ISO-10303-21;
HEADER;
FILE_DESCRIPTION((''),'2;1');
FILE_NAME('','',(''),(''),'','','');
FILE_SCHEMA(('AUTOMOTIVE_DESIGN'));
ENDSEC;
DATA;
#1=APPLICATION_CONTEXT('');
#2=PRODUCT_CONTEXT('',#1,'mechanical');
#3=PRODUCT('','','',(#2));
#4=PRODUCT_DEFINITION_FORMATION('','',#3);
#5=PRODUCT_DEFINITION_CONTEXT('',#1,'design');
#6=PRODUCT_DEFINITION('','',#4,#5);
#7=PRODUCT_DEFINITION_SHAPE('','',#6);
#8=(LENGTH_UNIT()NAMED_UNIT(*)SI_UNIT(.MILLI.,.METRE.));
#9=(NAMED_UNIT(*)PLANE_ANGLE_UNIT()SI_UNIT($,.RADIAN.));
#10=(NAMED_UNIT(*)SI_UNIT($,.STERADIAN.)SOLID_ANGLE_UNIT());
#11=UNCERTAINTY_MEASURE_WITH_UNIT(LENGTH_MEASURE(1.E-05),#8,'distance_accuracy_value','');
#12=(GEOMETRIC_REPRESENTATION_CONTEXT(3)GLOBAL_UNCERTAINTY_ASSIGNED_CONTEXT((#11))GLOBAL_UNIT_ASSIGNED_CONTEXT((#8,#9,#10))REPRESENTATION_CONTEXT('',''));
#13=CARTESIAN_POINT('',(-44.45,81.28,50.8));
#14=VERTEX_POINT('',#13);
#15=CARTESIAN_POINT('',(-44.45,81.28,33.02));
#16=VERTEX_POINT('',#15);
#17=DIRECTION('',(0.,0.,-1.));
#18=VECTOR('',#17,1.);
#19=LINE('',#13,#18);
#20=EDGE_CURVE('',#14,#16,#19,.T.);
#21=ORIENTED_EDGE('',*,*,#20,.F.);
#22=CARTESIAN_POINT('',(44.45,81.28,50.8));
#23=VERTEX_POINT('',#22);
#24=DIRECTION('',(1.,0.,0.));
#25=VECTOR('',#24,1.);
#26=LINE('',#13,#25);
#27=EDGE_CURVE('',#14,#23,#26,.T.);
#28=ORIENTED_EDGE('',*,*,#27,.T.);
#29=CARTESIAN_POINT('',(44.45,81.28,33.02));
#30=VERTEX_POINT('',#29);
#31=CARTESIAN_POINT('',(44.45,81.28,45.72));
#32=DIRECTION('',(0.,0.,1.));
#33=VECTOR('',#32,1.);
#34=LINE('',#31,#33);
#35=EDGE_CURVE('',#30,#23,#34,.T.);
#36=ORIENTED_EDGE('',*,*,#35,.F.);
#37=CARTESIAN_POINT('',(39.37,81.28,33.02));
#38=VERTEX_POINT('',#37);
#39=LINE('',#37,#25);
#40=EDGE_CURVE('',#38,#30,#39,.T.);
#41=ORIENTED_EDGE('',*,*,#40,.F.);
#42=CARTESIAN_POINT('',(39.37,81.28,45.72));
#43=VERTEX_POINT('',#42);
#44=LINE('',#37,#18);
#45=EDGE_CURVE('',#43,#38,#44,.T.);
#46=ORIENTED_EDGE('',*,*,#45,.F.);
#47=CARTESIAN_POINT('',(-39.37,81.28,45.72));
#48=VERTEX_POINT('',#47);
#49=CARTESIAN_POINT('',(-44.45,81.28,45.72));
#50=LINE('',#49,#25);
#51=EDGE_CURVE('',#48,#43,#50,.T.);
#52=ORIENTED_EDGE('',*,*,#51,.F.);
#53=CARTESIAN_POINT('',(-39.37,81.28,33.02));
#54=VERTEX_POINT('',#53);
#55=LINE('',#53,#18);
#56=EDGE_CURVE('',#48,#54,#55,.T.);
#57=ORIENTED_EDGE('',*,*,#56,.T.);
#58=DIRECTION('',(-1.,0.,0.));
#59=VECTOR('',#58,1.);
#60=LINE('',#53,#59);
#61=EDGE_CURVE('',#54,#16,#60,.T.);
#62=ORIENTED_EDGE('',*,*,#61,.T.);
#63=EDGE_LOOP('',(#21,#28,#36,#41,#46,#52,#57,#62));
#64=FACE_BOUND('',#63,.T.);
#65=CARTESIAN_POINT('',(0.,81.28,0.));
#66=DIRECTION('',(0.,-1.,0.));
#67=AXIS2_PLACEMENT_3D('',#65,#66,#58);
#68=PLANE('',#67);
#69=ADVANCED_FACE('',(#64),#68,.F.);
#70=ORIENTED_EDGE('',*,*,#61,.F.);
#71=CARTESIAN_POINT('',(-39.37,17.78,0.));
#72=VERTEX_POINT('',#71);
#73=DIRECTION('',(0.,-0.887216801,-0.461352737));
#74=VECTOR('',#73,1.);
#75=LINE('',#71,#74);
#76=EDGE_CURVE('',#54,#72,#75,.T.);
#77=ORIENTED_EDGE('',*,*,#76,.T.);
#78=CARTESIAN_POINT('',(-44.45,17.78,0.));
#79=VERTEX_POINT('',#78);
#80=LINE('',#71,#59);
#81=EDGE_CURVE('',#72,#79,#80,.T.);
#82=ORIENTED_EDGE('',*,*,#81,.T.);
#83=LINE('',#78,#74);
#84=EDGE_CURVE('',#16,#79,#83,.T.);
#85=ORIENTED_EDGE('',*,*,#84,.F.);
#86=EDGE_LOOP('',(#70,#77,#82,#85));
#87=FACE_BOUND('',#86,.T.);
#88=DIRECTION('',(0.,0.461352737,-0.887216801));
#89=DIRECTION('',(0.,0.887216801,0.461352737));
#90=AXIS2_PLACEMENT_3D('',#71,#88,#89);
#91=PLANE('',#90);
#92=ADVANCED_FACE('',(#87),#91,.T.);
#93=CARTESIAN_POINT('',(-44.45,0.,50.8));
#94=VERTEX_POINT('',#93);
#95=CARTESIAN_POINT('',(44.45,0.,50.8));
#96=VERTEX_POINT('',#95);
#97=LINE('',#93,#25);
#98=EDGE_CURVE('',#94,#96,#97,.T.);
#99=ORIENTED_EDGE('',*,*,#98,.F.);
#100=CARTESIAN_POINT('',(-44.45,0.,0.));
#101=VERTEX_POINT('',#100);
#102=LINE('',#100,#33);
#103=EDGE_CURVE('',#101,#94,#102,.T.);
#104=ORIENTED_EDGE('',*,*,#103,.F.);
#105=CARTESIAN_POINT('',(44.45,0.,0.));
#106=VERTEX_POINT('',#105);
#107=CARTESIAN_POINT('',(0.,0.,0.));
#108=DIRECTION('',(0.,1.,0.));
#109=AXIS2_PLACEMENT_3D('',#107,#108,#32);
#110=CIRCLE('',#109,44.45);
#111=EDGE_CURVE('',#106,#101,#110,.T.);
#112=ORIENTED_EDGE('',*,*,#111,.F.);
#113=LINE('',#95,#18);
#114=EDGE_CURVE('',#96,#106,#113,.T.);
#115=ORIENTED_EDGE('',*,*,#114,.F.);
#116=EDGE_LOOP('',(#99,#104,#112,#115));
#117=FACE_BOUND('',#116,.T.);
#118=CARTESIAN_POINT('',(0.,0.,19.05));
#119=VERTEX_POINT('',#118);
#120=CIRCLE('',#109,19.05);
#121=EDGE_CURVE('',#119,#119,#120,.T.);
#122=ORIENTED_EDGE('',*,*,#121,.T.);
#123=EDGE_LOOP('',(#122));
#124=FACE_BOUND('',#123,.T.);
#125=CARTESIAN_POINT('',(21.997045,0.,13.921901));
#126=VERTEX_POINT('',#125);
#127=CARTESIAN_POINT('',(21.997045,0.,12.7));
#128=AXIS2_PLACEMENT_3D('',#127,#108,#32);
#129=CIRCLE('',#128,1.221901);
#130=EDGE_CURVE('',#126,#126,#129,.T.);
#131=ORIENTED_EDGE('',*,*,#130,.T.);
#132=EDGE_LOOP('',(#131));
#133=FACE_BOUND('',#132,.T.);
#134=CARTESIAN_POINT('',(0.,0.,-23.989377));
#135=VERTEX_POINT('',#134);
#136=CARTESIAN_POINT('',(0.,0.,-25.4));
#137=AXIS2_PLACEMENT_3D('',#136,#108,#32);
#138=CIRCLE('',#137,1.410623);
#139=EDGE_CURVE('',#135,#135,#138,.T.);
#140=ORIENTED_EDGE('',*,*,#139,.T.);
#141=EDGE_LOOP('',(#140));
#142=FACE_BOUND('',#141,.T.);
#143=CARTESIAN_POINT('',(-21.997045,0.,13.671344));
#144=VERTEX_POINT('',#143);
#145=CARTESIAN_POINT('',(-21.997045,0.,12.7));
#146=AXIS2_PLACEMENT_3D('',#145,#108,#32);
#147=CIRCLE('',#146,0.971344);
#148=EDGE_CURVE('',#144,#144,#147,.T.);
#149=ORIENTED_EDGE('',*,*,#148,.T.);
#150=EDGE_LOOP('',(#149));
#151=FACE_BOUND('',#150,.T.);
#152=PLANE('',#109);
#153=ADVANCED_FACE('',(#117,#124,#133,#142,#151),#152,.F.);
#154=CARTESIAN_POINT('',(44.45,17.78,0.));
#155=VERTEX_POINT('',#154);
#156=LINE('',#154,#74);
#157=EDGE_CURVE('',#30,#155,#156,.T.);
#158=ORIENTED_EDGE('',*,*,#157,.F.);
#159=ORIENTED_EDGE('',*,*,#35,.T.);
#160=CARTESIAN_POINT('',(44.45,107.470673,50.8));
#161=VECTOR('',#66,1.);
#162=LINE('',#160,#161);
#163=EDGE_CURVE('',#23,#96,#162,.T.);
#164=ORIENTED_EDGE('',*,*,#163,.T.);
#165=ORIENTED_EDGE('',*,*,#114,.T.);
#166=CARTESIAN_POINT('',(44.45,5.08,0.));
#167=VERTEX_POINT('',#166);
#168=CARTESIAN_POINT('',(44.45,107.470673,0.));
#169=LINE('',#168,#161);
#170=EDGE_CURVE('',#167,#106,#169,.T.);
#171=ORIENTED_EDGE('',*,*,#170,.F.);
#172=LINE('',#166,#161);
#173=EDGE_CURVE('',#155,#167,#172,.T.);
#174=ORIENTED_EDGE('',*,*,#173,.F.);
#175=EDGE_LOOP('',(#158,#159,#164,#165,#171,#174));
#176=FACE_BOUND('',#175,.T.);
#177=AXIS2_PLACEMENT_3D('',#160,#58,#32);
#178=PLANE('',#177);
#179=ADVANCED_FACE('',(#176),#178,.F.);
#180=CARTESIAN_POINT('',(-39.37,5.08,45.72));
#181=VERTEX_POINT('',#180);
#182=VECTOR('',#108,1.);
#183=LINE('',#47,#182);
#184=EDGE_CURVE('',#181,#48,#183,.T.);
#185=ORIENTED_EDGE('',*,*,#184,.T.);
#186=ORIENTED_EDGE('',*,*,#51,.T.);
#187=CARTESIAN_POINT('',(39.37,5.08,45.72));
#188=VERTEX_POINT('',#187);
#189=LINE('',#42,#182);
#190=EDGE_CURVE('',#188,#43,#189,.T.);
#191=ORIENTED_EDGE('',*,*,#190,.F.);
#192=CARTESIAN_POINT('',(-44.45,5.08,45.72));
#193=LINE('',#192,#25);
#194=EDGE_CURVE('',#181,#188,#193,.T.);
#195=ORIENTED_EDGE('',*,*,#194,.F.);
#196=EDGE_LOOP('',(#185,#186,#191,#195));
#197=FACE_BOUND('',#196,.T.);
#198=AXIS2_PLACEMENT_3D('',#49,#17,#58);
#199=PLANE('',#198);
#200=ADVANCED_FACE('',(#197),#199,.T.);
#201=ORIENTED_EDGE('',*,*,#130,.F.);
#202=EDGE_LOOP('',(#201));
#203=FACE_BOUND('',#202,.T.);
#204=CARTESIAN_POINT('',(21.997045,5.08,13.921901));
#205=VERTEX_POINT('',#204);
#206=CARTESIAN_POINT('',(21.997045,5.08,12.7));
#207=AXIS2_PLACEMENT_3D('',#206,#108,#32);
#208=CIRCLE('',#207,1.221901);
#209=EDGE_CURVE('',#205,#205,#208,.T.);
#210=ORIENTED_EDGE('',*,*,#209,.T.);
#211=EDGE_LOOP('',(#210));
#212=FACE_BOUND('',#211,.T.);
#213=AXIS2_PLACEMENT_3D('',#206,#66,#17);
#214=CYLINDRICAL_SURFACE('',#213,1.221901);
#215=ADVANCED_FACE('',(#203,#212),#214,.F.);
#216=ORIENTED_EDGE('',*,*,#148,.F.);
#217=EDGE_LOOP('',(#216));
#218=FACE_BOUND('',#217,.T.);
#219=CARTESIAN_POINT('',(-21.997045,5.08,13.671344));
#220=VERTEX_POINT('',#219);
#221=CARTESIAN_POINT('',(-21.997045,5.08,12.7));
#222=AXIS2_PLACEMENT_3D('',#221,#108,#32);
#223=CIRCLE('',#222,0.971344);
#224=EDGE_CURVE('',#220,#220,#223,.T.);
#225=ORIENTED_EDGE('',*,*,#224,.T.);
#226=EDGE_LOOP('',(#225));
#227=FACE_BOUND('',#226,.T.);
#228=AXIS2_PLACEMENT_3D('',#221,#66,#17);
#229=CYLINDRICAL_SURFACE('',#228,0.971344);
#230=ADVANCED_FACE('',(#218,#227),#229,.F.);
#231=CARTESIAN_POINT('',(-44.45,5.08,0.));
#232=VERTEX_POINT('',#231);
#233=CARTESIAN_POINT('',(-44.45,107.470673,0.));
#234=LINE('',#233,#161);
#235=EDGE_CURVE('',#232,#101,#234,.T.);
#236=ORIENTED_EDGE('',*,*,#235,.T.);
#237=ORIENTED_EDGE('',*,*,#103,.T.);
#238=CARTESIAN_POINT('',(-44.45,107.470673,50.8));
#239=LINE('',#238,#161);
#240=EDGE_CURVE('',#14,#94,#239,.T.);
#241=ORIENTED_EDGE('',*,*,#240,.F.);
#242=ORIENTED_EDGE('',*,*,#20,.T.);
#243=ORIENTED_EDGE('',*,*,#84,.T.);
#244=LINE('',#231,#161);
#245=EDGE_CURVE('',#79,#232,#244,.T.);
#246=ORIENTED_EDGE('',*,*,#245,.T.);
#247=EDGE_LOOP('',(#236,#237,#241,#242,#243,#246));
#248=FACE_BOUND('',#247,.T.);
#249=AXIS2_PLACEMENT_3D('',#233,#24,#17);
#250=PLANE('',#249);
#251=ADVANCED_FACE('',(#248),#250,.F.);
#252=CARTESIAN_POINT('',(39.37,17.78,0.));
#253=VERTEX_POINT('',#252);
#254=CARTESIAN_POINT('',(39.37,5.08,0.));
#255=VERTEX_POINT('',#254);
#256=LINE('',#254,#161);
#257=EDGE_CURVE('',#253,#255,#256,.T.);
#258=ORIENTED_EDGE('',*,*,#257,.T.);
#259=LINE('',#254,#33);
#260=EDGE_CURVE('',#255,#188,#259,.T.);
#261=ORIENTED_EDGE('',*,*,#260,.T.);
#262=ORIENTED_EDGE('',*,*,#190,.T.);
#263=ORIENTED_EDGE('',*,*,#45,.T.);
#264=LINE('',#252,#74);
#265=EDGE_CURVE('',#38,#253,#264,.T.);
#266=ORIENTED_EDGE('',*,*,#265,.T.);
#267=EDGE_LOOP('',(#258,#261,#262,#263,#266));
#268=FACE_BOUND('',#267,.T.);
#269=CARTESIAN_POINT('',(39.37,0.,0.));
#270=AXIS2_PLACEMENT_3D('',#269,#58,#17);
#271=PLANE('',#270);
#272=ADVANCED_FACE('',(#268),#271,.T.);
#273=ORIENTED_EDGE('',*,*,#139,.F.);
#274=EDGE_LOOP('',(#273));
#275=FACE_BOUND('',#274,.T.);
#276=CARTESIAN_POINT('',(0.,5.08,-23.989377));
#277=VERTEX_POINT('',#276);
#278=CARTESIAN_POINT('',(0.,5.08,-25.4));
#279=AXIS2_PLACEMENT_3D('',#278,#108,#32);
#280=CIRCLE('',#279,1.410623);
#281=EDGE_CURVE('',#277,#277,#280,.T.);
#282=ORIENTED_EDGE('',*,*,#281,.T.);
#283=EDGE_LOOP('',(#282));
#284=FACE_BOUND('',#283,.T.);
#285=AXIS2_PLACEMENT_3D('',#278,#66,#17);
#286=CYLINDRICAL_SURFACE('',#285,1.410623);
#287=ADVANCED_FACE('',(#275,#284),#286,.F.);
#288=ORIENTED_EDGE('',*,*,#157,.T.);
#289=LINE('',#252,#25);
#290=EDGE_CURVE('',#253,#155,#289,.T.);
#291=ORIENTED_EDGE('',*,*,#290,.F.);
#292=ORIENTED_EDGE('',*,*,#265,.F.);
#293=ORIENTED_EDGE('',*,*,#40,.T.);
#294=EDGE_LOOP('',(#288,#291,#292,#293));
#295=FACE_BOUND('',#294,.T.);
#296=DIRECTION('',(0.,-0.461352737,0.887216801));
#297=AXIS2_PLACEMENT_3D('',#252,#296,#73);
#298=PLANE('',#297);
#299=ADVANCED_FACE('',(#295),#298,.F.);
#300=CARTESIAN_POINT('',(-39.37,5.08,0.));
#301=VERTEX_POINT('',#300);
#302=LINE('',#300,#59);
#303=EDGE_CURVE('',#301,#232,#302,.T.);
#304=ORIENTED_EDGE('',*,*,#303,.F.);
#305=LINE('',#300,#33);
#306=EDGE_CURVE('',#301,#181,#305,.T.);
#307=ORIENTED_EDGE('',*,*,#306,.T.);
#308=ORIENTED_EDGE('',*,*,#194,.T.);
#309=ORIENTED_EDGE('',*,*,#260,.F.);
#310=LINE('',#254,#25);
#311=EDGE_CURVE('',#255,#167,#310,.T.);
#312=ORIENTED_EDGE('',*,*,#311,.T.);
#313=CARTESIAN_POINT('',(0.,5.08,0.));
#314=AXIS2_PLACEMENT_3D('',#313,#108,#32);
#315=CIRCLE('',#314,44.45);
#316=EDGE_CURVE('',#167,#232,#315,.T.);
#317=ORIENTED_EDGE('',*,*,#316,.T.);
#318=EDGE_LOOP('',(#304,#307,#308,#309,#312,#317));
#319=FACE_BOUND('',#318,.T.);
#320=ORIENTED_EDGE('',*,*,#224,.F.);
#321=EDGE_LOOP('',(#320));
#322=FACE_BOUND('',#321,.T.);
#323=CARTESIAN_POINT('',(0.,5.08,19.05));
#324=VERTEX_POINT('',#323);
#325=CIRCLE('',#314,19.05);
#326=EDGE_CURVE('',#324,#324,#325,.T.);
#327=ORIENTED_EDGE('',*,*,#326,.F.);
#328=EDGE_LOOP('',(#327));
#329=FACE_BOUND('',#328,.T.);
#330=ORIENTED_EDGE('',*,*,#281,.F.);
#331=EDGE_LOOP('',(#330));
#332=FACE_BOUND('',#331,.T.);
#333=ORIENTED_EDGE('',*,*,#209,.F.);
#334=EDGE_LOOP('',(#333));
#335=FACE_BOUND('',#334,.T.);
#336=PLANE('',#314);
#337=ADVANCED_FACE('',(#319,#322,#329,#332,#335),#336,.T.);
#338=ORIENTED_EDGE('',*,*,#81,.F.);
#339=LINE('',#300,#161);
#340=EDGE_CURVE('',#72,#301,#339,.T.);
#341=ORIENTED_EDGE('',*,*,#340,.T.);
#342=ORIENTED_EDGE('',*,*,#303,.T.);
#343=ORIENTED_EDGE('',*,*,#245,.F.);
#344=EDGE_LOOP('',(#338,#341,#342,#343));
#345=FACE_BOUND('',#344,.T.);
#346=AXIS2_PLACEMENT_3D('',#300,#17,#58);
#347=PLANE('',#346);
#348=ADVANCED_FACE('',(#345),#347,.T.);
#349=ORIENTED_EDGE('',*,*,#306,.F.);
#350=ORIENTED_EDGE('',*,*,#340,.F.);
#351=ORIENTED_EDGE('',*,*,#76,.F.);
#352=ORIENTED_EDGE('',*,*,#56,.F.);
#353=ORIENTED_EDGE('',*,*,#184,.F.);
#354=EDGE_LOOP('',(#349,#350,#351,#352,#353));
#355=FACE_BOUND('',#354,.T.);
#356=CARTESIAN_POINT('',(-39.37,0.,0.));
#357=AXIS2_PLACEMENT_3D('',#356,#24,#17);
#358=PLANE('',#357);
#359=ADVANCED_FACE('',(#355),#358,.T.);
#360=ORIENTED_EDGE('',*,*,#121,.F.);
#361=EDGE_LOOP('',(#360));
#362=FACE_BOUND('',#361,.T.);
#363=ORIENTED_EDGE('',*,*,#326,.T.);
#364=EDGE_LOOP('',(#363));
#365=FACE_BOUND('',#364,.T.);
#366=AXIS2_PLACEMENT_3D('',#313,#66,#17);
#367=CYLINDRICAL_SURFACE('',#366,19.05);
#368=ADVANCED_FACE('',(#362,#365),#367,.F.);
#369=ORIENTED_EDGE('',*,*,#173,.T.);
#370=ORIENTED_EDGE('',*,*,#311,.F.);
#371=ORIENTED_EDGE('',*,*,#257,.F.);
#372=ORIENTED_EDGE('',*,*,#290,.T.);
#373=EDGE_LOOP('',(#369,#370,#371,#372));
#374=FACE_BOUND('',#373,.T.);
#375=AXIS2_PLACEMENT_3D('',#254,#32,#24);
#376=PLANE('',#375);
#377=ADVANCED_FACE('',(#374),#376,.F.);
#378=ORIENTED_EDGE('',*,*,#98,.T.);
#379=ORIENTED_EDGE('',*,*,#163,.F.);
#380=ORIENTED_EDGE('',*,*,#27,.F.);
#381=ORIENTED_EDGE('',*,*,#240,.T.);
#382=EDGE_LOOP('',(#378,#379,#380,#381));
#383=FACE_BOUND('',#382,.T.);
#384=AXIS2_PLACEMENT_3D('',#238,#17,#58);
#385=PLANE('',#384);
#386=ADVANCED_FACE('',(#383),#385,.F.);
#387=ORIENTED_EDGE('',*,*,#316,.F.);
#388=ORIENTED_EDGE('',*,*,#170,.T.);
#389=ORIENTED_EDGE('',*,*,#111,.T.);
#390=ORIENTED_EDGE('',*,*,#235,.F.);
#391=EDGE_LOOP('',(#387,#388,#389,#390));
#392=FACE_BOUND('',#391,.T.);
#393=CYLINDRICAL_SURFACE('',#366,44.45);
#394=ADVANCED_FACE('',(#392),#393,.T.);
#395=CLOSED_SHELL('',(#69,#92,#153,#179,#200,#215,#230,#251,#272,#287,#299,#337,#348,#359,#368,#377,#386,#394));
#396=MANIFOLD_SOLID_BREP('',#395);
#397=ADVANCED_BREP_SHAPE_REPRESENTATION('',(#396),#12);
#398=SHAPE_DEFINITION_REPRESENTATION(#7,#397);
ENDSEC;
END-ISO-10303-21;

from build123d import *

# Parameters (mm, degrees)
SKETCH1_R           = 44.45
SKETCH1_R_2         = 19.05
SKETCH1_R_3         = 1.410622882
SKETCH1_R_4         = 1.22190068
SKETCH1_R_5         = 0.971343814
BOSS_EXTRUDE1_DEPTH = 5.08
BOSS_EXTRUDE2_DEPTH = 5.08
SKETCH3_W           = 88.9
SKETCH3_H           = 5.08
EXTRUDE_THIN1_DEPTH = 76.2
BOSS_EXTRUDE3_DEPTH = 5.08


with BuildPart() as part:
    # Sketch1 → Boss-Extrude1 (new body)
    with BuildSketch(Plane(origin=(0, 0, 0), x_dir=(1, 0, 0), z_dir=(0, 1, 0))):
        with Locations(Location((0, 0, 0), (0, 0, 270))):
            Circle(SKETCH1_R)
        with Locations(Location((0, 0, 0), (0, 0, 270))):
            Circle(SKETCH1_R_2, mode=Mode.SUBTRACT)
        with Locations(Location((0, 25.4, 0), (0, 0, 270))):
            Circle(SKETCH1_R_3, mode=Mode.SUBTRACT)
        with Locations(Location((21.997045256, -12.7, 0), (0, 0, 270))):
            Circle(SKETCH1_R_4, mode=Mode.SUBTRACT)
        with Locations(Location((-21.997045256, -12.7, 0), (0, 0, 270))):
            Circle(SKETCH1_R_5, mode=Mode.SUBTRACT)
    extrude(amount=BOSS_EXTRUDE1_DEPTH)

    # Sketch2 → Boss-Extrude2 (add)
    with BuildSketch(Plane(origin=(0, 0, 0), x_dir=(1, 0, 0), z_dir=(0, 1, 0))):
        with BuildLine():
            Line((-44.45, 0), (-44.45, -50.8))
            Line((-44.45, -50.8), (44.45, -50.8))
            Line((44.45, -50.8), (44.45, 0))
            ThreePointArc((44.45, 0), (0, -44.45), (-44.45, 0))
        make_face()
    extrude(amount=BOSS_EXTRUDE2_DEPTH)

    # Sketch3 → Extrude-Thin1 (add)
    with BuildSketch(Plane(origin=(0, 5.08, 0), x_dir=(1, 0, 0), z_dir=(0, 1, 0))):
        with Locations((0, -48.26)):
            Rectangle(SKETCH3_W, SKETCH3_H)
    extrude(amount=EXTRUDE_THIN1_DEPTH)

    # Sketch4 → Boss-Extrude3 (add)
    with BuildSketch(Plane.ZY.offset(44.45)):
        Polygon((0, 5.08), (0, 17.78), (33.02, 81.28), (45.72, 81.28), (45.72, 5.08), align=None)
    boss_extrude3 = extrude(amount=-BOSS_EXTRUDE3_DEPTH)

    # Mirror1: Boss-Extrude3 across plane
    add(boss_extrude3.mirror(Plane(origin=(0, 0, 0), x_dir=(0, 0, 1), z_dir=(1, 0, 0))))


solid = part.part
